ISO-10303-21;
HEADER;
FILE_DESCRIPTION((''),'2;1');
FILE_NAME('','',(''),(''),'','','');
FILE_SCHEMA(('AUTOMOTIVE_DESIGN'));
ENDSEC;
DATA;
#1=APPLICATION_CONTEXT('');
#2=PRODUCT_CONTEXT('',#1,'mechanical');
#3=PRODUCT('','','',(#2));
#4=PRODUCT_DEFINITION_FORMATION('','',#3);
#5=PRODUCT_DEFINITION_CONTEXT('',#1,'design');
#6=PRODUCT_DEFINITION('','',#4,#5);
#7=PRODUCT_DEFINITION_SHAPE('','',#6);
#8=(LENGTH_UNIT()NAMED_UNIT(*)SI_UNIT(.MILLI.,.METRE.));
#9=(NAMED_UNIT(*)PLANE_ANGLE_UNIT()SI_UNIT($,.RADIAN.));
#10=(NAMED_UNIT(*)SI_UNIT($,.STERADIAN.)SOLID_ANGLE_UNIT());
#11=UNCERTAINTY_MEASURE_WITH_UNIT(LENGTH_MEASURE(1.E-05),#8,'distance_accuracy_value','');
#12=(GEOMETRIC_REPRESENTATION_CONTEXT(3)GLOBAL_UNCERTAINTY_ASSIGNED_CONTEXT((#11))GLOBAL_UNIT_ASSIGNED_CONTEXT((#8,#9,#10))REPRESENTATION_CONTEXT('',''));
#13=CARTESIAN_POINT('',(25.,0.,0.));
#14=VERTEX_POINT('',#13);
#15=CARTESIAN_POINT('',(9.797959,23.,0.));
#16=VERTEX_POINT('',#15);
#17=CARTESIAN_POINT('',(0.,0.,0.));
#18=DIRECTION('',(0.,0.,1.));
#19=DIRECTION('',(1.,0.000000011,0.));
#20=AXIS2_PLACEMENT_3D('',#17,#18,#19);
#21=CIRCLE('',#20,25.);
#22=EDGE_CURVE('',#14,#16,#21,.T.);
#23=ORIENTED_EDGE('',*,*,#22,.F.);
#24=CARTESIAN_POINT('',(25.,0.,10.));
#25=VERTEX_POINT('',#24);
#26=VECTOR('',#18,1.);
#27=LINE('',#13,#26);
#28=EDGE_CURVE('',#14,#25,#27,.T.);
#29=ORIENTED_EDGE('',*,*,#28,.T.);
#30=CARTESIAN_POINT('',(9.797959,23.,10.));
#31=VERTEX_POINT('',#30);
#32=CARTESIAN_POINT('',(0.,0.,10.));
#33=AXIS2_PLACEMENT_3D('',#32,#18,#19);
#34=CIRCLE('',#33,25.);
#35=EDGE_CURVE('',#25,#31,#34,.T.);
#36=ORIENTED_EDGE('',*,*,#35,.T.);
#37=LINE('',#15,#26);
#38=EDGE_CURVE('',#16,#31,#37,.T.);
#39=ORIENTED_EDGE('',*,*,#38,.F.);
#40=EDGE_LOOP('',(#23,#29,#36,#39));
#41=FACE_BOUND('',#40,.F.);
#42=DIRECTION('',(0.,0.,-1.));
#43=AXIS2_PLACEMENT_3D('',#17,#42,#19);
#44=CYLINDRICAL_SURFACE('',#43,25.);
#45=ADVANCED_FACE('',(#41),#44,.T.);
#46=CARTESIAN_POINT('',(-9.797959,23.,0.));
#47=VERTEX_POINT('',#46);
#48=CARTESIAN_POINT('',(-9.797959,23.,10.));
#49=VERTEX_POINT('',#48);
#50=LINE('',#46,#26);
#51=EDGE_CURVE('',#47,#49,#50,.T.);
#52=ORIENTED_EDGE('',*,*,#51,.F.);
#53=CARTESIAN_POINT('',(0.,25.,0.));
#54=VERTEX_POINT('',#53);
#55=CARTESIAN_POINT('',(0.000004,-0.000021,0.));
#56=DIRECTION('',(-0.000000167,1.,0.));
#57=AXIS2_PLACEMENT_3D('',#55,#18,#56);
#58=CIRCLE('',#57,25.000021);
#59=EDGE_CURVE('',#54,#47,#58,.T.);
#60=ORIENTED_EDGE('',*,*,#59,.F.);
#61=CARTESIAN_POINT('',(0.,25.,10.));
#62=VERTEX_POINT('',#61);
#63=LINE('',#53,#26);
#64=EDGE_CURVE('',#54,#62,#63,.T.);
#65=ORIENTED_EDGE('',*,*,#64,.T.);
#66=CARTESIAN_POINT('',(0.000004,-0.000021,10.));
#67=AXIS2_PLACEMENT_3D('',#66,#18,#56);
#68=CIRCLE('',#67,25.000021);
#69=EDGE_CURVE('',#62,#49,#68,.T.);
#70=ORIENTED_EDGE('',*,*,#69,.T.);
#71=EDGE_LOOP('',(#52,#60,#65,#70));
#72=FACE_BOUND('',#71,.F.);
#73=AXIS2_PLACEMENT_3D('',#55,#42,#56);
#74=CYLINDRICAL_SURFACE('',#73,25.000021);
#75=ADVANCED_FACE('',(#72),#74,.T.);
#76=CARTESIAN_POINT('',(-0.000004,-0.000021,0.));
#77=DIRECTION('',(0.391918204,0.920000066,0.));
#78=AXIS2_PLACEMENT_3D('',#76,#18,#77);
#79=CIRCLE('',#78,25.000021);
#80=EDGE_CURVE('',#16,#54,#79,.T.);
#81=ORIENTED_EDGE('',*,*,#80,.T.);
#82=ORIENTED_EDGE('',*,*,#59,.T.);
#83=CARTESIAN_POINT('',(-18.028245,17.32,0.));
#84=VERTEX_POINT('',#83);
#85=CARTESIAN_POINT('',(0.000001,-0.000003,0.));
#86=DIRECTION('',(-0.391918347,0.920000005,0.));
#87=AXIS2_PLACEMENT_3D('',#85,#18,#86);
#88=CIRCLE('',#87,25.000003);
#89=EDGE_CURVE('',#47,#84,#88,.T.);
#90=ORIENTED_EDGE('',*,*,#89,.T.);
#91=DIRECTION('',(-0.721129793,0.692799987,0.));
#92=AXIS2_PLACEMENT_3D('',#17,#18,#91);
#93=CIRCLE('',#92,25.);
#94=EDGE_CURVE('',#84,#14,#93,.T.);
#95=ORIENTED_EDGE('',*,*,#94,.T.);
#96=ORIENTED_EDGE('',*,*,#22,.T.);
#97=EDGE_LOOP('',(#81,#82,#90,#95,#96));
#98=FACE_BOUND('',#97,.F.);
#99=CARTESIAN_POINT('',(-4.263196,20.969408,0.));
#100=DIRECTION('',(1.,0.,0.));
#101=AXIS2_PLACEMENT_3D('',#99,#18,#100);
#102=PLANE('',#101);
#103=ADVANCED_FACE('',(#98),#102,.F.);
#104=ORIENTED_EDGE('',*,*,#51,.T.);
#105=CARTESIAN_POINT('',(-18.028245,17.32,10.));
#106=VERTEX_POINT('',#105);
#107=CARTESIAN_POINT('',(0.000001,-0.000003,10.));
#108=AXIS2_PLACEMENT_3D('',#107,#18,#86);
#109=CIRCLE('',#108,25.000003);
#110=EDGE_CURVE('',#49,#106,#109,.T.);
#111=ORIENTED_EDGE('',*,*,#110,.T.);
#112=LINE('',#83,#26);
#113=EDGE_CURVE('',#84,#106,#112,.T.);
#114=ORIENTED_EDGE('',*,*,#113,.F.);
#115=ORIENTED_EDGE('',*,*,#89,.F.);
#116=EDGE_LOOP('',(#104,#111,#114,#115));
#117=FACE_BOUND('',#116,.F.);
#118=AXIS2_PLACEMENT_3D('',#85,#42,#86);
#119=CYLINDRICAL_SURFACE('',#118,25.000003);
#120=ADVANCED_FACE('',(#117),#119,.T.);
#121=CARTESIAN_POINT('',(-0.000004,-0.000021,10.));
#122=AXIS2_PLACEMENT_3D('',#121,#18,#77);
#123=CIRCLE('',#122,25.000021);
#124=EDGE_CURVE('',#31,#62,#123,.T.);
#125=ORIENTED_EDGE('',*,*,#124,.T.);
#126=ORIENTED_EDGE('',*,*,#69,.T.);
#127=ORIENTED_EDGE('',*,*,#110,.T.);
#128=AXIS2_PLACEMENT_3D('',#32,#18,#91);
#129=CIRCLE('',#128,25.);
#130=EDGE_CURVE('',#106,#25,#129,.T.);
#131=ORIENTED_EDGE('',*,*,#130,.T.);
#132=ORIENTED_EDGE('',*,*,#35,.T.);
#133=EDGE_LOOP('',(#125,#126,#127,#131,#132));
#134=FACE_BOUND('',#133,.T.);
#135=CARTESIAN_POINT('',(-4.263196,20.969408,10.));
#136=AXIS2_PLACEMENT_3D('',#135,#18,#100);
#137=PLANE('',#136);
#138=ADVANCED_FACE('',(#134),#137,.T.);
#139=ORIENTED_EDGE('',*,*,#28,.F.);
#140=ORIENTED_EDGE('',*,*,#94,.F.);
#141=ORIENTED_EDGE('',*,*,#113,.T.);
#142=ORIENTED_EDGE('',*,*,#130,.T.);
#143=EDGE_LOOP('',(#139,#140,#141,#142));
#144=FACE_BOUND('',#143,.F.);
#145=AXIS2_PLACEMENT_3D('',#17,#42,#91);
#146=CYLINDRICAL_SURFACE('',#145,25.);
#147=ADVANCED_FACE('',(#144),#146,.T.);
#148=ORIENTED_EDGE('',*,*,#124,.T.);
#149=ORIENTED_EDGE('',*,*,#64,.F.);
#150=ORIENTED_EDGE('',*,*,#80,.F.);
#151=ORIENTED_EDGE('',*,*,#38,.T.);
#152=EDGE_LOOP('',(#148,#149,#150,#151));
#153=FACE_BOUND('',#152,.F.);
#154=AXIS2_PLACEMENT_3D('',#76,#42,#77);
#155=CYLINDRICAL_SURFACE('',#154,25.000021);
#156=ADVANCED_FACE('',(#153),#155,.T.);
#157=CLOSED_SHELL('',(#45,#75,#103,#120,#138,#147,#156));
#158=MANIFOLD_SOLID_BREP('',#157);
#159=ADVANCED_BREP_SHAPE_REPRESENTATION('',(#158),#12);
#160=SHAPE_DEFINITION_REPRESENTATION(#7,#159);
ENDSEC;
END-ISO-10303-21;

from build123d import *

# Parameters (mm, degrees)
F1_DEPTH = 10


with BuildPart() as f1:
    # F0 (on Top) → F1 (new body)
    with BuildSketch(Plane.XY):
        with BuildLine():
            ThreePointArc((0.202041, 23), (0.151403, 24.00509), (0, 25))
            ThreePointArc((0, 25), (-5, 24.494897), (-9.797959, 23))
            ThreePointArc((-9.797959, 23), (-7.485281, 18.36897), (-3.166929, 15.514719))
            ThreePointArc((-3.166929, 15.514719), (-0.679014, 18.895752), (0.202041, 23))
        make_face()
        with BuildLine():
            ThreePointArc((-18.028245, 17.32), (-9.335253, -23.191659), (25, 0))
            ThreePointArc((25, 0), (20.856042, 13.784974), (9.797959, 23))
            ThreePointArc((9.797959, 23), (5, 16.339746), (-3.166929, 15.514719))
            ThreePointArc((-3.166929, 15.514719), (-11.003846, 13.072974), (-18.028245, 17.32))
        make_face()
        with BuildLine():
            ThreePointArc((-9.797959, 23), (-14.2, 20.575714), (-18.028245, 17.32))
            ThreePointArc((-18.028245, 17.32), (-11.003846, 13.072974), (-3.166929, 15.514719))
            ThreePointArc((-3.166929, 15.514719), (-7.485281, 18.36897), (-9.797959, 23))
        make_face()
        with BuildLine():
            ThreePointArc((-3.166929, 15.514719), (5, 16.339746), (9.797959, 23))
            ThreePointArc((9.797959, 23), (5, 24.494897), (0, 25))
            ThreePointArc((0, 25), (0.151403, 24.00509), (0.202041, 23))
            ThreePointArc((0.202041, 23), (-0.679014, 18.895752), (-3.166929, 15.514719))
        make_face()
    extrude(amount=F1_DEPTH)


solid = f1.part
